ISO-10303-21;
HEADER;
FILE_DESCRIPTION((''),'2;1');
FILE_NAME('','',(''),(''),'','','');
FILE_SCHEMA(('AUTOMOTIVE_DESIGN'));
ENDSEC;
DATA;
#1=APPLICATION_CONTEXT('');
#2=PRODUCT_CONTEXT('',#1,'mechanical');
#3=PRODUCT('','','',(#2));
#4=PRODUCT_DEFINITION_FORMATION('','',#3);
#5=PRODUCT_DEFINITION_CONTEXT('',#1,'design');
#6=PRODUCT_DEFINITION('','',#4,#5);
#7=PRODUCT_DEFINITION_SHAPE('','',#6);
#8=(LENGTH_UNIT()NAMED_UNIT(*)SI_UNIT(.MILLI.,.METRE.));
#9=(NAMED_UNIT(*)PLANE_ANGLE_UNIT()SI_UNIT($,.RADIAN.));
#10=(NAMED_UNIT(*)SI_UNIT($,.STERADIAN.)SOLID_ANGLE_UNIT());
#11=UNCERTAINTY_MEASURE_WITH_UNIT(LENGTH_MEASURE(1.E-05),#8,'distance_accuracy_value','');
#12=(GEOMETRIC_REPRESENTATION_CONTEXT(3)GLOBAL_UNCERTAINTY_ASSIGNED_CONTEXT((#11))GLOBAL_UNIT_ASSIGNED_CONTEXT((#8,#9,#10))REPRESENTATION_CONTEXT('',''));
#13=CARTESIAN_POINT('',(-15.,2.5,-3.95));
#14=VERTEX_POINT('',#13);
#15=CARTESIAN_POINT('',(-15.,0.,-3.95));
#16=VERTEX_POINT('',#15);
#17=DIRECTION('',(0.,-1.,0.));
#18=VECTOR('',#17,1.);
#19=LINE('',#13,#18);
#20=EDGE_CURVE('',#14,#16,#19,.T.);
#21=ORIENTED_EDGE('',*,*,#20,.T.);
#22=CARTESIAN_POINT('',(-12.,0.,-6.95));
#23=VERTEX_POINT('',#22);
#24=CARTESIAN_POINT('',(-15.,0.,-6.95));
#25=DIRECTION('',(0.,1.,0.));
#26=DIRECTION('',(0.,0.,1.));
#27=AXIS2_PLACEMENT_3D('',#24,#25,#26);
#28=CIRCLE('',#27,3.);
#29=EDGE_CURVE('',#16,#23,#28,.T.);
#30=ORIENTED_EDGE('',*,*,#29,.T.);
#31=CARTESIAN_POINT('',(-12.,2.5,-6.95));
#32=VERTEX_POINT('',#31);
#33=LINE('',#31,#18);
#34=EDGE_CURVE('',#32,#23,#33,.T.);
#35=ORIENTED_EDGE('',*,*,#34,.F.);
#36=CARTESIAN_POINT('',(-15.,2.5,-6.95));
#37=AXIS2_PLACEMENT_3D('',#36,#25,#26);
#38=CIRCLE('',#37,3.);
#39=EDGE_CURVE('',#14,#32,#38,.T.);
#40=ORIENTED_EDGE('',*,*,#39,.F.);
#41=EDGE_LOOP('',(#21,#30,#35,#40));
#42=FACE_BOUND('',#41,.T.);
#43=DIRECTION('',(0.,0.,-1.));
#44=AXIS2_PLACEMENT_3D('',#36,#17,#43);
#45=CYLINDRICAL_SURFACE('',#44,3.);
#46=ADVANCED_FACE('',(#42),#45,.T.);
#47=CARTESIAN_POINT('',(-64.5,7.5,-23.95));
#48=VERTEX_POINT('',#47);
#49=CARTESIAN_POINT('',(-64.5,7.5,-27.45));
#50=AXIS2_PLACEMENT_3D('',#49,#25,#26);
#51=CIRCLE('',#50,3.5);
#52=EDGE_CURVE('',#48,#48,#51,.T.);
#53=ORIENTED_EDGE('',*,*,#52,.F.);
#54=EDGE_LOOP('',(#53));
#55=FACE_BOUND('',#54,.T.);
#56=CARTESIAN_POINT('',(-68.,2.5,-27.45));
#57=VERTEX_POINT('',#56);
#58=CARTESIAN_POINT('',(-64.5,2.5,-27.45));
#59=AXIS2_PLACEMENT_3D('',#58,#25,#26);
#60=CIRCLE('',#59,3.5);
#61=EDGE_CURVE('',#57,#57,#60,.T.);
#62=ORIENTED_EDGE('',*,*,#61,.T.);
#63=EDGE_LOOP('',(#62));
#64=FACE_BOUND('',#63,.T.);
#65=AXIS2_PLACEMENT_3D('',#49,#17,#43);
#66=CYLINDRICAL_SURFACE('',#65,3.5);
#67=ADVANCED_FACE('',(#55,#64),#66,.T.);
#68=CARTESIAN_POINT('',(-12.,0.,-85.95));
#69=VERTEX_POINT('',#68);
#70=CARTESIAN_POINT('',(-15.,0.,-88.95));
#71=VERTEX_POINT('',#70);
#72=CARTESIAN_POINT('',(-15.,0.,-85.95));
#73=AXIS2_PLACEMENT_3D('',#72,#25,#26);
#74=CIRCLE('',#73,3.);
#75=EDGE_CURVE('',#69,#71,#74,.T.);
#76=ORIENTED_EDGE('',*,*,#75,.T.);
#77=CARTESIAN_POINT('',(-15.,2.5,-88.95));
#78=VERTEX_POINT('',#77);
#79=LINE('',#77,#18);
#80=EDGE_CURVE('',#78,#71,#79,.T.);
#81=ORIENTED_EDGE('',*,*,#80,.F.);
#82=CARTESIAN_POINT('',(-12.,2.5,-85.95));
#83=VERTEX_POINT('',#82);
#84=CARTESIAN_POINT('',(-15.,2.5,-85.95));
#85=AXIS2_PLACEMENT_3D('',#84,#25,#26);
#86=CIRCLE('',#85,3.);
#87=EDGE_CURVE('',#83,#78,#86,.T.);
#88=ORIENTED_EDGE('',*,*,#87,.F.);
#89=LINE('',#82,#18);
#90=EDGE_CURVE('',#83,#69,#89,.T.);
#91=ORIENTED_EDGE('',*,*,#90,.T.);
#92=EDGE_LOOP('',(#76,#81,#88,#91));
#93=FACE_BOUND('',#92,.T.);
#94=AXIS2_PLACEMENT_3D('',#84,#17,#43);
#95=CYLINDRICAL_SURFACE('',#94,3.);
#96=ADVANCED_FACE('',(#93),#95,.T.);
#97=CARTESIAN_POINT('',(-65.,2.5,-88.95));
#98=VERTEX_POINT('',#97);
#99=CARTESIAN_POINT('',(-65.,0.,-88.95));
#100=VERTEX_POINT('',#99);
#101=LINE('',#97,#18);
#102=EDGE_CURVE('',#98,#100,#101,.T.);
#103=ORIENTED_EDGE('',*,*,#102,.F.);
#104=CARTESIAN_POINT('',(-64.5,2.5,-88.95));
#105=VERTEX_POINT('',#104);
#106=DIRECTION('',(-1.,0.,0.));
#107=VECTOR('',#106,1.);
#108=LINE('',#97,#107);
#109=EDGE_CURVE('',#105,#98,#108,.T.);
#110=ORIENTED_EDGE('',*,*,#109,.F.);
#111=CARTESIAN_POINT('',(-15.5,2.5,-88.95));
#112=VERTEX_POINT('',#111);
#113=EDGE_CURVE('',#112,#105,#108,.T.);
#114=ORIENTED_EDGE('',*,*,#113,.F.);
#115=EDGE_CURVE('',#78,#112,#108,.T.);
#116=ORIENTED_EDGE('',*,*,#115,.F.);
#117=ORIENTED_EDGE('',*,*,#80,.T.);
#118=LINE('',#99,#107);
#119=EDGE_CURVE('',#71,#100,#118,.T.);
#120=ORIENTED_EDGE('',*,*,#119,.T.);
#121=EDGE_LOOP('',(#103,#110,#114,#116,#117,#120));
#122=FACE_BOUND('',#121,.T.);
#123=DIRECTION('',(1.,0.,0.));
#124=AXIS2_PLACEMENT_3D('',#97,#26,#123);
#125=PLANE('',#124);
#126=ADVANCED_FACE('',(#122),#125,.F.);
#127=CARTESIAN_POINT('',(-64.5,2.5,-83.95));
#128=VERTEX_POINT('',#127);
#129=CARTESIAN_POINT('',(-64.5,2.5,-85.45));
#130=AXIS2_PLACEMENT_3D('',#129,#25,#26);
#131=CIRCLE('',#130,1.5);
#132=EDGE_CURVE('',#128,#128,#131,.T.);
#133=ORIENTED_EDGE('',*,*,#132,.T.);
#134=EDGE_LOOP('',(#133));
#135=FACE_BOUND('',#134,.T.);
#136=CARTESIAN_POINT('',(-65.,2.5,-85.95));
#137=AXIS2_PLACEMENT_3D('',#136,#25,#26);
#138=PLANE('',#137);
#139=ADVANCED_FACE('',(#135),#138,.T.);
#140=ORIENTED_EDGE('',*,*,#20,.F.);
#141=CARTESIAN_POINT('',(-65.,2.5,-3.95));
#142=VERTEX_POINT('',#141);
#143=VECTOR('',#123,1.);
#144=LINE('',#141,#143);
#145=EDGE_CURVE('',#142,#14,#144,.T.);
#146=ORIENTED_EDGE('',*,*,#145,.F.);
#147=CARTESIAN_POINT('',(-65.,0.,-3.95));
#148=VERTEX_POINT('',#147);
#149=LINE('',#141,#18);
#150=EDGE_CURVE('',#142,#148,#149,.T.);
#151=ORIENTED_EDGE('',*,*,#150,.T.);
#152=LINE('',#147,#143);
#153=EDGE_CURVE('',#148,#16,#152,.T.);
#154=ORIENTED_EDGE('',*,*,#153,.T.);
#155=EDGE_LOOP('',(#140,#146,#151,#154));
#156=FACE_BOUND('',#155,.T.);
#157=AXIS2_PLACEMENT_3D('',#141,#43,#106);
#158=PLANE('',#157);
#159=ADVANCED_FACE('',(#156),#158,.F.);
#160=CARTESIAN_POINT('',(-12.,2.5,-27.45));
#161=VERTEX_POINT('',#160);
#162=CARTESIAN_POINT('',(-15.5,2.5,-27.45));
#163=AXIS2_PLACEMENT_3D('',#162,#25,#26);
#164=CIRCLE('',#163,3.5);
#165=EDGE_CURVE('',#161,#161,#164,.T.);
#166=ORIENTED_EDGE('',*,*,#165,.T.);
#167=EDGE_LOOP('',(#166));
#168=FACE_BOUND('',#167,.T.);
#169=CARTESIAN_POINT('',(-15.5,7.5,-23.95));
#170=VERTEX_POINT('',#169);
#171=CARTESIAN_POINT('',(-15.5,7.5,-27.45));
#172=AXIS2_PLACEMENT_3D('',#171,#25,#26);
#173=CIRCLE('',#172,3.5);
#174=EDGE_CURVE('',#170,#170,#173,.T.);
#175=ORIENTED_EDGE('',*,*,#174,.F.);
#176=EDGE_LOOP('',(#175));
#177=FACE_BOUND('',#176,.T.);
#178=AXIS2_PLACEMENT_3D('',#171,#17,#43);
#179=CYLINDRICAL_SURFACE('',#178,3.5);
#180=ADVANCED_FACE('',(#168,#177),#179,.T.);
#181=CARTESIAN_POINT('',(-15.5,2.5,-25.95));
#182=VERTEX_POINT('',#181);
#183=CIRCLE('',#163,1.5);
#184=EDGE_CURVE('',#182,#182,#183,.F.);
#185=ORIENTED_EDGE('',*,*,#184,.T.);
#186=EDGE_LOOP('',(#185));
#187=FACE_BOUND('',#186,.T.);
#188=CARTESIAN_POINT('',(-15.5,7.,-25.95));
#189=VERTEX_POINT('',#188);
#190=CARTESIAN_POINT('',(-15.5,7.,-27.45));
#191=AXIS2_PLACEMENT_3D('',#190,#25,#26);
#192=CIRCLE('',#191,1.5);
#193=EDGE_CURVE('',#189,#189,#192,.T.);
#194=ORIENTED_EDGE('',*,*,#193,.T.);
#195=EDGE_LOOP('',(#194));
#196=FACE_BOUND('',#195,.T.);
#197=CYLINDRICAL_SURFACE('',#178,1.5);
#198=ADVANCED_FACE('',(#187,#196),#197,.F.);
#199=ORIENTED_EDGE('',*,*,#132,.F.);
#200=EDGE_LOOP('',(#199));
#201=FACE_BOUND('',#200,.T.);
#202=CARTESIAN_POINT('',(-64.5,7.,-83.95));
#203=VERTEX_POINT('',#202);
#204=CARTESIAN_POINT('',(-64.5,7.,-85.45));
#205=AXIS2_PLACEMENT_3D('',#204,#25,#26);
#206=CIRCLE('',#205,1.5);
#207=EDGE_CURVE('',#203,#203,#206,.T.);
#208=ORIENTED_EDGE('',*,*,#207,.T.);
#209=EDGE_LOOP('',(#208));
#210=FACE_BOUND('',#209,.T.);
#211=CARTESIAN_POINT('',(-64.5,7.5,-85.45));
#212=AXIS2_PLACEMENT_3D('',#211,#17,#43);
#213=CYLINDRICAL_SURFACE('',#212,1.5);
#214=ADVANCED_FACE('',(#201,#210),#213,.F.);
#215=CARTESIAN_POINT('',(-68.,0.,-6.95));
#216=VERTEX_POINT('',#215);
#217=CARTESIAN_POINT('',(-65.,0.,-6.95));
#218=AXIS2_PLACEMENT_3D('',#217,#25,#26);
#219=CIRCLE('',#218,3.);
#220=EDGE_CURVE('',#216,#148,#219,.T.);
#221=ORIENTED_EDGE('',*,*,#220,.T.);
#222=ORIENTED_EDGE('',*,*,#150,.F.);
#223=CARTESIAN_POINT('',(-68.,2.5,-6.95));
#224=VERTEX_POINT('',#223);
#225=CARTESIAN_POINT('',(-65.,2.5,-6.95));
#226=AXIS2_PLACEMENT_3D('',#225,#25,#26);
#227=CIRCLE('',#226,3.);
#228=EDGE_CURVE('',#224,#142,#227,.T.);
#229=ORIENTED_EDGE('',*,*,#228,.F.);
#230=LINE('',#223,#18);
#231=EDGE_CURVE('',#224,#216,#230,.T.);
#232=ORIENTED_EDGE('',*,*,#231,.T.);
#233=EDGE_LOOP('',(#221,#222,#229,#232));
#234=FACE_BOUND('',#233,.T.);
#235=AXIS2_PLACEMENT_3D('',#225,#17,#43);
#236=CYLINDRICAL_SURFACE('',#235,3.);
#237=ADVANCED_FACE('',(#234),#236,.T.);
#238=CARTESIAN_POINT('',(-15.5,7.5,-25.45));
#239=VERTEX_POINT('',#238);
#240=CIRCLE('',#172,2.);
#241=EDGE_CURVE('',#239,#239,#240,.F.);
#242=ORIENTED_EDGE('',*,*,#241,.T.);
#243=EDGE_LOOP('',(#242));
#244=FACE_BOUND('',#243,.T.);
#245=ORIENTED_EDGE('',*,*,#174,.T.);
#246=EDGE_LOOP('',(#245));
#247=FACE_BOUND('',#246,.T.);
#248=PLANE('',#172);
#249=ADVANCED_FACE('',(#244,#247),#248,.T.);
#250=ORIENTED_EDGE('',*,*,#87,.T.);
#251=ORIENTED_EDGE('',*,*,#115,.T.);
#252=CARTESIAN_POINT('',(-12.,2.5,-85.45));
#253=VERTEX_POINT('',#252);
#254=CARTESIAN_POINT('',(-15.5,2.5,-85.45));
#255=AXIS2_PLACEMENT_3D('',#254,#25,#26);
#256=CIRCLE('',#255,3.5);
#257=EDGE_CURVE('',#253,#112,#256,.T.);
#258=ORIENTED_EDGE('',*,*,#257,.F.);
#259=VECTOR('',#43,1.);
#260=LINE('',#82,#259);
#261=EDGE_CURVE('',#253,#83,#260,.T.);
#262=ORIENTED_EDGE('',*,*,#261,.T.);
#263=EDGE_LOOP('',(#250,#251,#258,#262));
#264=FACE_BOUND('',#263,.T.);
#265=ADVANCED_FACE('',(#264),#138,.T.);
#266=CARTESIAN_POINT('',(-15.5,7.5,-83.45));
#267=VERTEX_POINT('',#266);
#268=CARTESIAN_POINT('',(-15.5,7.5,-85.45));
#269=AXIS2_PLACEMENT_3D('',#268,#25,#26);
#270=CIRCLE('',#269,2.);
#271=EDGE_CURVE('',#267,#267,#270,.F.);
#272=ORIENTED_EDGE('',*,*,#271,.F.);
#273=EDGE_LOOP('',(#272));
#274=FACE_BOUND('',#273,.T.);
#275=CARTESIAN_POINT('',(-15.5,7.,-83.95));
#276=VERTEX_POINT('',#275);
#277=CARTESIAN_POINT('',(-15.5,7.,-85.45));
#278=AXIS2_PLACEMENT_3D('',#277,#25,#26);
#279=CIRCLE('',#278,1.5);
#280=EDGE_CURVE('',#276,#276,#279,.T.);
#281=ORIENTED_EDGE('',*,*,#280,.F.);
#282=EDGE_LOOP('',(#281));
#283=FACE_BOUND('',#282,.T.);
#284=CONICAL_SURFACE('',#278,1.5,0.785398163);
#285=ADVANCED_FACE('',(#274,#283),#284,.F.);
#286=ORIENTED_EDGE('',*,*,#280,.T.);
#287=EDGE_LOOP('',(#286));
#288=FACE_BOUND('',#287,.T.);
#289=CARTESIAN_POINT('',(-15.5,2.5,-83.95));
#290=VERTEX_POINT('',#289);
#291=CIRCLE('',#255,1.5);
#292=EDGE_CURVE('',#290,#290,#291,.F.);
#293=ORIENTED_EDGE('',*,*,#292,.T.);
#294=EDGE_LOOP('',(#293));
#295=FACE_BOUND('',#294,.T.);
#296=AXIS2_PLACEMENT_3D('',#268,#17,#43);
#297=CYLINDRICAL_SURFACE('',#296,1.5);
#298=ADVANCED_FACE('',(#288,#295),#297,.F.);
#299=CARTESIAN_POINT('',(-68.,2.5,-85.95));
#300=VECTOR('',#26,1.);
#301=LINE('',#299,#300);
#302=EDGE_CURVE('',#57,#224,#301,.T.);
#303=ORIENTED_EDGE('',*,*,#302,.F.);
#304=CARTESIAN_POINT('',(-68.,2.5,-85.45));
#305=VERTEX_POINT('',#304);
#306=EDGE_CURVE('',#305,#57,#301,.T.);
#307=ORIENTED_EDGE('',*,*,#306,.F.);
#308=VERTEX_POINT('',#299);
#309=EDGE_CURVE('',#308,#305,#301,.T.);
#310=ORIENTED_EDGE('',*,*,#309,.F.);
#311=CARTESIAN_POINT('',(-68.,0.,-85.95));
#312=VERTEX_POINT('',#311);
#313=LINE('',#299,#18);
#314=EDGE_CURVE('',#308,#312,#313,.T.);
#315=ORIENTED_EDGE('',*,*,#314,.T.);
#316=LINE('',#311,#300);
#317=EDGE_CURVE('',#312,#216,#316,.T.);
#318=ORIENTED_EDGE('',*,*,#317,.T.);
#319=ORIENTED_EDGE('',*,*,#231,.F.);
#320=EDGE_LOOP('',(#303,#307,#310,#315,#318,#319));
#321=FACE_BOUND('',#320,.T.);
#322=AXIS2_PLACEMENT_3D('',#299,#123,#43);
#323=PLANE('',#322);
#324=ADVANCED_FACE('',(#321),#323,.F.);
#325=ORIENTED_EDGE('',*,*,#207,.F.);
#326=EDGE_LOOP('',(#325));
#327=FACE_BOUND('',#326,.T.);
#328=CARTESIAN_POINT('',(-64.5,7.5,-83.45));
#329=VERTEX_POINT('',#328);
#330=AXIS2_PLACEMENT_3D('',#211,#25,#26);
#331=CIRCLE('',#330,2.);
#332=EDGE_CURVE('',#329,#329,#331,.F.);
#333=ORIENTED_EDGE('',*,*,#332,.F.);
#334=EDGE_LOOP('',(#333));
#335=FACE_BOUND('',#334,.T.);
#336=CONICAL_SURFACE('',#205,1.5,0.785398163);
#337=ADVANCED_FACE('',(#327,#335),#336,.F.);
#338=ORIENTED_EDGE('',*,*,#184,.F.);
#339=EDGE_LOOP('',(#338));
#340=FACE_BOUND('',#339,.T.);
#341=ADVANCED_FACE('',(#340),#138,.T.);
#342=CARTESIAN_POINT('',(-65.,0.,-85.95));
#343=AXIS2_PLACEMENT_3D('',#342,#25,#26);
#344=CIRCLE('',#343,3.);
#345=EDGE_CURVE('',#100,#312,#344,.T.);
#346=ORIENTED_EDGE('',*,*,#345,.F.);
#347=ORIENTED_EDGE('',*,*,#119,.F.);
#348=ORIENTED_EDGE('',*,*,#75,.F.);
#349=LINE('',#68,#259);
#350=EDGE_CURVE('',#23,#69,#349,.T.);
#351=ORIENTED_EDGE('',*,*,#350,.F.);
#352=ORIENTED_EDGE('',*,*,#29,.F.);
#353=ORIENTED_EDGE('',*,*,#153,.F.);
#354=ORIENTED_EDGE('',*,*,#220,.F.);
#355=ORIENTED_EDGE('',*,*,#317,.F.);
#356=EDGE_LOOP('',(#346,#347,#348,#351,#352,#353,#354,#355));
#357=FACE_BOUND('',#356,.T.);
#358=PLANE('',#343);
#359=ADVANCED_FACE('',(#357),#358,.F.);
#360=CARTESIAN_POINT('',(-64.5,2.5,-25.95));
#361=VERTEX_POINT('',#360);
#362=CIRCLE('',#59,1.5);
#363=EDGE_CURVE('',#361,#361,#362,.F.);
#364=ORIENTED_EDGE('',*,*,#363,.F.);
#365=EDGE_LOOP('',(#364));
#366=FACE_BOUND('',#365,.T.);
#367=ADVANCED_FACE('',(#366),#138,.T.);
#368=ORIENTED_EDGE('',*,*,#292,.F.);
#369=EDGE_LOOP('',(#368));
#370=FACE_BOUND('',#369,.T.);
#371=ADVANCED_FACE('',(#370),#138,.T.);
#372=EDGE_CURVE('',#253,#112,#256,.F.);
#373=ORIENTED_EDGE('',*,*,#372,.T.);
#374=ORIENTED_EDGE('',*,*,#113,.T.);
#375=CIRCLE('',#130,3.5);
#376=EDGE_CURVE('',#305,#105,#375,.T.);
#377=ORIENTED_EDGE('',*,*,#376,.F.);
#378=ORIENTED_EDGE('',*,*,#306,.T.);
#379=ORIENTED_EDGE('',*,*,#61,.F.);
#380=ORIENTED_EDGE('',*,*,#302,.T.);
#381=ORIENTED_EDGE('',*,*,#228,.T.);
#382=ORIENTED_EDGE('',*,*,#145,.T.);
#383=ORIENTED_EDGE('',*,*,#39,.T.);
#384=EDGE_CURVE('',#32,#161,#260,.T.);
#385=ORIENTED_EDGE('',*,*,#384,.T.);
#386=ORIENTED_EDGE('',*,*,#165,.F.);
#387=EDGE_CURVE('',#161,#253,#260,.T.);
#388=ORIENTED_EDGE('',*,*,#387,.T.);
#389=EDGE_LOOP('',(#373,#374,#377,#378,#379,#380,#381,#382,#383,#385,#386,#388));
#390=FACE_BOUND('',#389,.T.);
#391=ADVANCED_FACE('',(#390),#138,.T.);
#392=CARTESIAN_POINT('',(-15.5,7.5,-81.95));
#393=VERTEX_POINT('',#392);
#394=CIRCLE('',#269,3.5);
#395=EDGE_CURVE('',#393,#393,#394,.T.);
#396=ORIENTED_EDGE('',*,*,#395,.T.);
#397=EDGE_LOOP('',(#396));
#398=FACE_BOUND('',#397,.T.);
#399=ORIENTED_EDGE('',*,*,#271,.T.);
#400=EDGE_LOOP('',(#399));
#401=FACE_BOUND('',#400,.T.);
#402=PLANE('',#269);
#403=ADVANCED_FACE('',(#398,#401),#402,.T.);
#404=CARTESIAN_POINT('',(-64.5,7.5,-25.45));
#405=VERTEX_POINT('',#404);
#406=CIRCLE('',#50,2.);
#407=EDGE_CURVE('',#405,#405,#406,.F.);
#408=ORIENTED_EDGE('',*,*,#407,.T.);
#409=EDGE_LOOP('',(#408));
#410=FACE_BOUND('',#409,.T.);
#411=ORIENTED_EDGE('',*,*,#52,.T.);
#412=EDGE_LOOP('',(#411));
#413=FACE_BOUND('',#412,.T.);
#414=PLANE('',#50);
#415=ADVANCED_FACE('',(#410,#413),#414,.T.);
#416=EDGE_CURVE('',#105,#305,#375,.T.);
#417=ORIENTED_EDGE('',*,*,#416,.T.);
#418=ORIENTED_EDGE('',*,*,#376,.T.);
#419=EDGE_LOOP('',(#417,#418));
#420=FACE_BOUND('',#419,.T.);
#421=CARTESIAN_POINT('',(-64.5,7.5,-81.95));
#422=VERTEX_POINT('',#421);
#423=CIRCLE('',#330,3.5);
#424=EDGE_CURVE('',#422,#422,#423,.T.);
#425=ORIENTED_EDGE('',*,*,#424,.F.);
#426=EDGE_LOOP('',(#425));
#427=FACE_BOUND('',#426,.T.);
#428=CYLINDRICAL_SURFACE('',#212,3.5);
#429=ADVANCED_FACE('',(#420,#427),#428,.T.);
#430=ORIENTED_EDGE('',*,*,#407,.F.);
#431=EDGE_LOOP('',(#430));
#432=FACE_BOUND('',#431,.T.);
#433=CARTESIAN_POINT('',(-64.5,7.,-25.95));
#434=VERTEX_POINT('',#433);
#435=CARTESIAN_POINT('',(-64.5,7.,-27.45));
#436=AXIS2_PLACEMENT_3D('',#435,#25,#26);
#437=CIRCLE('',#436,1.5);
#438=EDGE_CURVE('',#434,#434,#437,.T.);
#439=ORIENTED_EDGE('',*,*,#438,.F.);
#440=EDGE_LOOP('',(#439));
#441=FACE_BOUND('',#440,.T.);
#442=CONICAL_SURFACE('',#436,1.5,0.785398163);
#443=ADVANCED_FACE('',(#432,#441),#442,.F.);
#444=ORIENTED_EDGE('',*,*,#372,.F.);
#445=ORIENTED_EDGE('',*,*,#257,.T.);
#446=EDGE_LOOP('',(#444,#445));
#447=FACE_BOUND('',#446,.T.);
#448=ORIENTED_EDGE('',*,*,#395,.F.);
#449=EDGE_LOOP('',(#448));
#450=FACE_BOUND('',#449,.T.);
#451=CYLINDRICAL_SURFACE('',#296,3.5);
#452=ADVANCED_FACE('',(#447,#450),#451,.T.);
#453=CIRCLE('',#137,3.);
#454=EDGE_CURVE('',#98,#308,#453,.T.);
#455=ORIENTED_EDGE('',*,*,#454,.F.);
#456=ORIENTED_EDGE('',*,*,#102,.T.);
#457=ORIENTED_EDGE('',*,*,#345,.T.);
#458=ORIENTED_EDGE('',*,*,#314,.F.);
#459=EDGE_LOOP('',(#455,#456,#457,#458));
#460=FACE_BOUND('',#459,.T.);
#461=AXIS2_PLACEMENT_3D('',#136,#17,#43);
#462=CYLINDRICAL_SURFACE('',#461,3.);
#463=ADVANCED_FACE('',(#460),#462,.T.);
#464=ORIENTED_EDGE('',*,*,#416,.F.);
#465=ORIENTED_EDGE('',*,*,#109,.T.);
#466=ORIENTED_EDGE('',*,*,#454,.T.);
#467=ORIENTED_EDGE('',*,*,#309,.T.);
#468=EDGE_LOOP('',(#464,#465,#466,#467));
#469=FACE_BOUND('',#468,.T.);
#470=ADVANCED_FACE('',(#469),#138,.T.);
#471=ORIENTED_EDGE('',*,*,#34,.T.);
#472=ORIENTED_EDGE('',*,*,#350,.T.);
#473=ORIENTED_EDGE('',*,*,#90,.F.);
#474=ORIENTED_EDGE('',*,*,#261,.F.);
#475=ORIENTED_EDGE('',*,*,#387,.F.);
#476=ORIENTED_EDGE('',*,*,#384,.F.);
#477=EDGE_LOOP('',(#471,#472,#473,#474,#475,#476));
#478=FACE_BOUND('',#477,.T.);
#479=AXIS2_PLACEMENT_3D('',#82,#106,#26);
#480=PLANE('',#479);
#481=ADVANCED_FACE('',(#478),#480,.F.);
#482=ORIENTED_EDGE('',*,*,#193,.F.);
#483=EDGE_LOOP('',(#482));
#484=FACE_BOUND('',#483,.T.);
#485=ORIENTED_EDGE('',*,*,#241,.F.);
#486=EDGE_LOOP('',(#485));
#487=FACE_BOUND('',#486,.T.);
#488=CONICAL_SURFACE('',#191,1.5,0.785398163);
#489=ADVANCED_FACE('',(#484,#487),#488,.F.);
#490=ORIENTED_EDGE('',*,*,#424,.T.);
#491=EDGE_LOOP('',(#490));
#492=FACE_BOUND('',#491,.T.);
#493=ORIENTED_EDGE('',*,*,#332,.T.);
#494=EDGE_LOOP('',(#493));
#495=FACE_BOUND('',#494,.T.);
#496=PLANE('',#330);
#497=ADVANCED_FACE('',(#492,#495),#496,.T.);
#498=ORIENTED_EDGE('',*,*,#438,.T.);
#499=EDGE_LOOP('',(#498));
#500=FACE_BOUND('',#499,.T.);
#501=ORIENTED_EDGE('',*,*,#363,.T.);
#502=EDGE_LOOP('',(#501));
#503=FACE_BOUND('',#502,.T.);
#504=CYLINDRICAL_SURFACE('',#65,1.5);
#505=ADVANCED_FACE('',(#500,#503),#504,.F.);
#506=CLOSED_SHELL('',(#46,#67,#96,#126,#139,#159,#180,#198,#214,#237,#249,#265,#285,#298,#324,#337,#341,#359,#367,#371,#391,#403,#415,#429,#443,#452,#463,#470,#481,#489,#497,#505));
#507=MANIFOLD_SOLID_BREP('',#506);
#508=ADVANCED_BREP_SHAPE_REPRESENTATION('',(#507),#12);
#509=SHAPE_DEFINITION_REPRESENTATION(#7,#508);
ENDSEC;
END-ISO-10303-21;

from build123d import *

# Parameters (mm, degrees)
BOSS_EXTRUDE1_DEPTH = 2.5
SKETCH3_R           = 3.5
SKETCH3_R_2         = 1.5
BOSS_EXTRUDE2_DEPTH = 5
CHAMFER1_SIZE       = 0.5


with BuildPart() as part:
    # Sketch2 → Boss-Extrude1 (new body)
    with BuildSketch(Plane(origin=(0, 0, 0), x_dir=(1, 0, 0), z_dir=(0, 1, 0))):
        with BuildLine():
            Line((-68, 85.95), (-68, 6.95))
            ThreePointArc((-68, 6.95), (-67.121320344, 4.828679656), (-65, 3.95))
            Line((-65, 3.95), (-15, 3.95))
            ThreePointArc((-15, 3.95), (-12.878679656, 4.828679656), (-12, 6.95))
            Line((-12, 6.95), (-12, 85.95))
            ThreePointArc((-12, 85.95), (-12.878679656, 88.071320344), (-15, 88.95))
            Line((-15, 88.95), (-65, 88.95))
            ThreePointArc((-65, 88.95), (-67.121320344, 88.071320344), (-68, 85.95))
        make_face()
    extrude(amount=BOSS_EXTRUDE1_DEPTH)

    # Sketch3 → Boss-Extrude2 (add)
    # profile 1 of 4: a face of its own
    with BuildSketch(Plane(origin=(0, 2.5, 0), x_dir=(1, 0, 0), z_dir=(0, 1, 0))):
        with Locations((-64.5, 85.45)):
            Circle(SKETCH3_R)
        with Locations((-64.5, 85.45)):
            Circle(SKETCH3_R_2, mode=Mode.SUBTRACT)
    # profile 2 of 4: a face of its own
    with BuildSketch(Plane(origin=(0, 2.5, 0), x_dir=(1, 0, 0), z_dir=(0, 1, 0))):
        with Locations((-15.5, 85.45)):
            Circle(SKETCH3_R)
        with Locations((-15.5, 85.45)):
            Circle(SKETCH3_R_2, mode=Mode.SUBTRACT)
    # profile 3 of 4: a face of its own
    with BuildSketch(Plane(origin=(0, 2.5, 0), x_dir=(1, 0, 0), z_dir=(0, 1, 0))):
        with Locations((-15.5, 27.45)):
            Circle(SKETCH3_R)
        with Locations((-15.5, 27.45)):
            Circle(SKETCH3_R_2, mode=Mode.SUBTRACT)
    # profile 4 of 4: a face of its own
    with BuildSketch(Plane(origin=(0, 2.5, 0), x_dir=(1, 0, 0), z_dir=(0, 1, 0))):
        with Locations((-64.5, 27.45)):
            Circle(SKETCH3_R)
        with Locations((-64.5, 27.45)):
            Circle(SKETCH3_R_2, mode=Mode.SUBTRACT)
    extrude(amount=BOSS_EXTRUDE2_DEPTH)

    # Chamfer1
    chamfer1_edges = [part.edges().sort_by_distance(p)[0] for p in [
        (-66, 7.5, -27.45),
        (-17, 7.5, -27.45),
        (-17, 7.5, -85.45),
        (-66, 7.5, -85.45),
    ]]
    chamfer(chamfer1_edges, length=CHAMFER1_SIZE)


solid = part.part
